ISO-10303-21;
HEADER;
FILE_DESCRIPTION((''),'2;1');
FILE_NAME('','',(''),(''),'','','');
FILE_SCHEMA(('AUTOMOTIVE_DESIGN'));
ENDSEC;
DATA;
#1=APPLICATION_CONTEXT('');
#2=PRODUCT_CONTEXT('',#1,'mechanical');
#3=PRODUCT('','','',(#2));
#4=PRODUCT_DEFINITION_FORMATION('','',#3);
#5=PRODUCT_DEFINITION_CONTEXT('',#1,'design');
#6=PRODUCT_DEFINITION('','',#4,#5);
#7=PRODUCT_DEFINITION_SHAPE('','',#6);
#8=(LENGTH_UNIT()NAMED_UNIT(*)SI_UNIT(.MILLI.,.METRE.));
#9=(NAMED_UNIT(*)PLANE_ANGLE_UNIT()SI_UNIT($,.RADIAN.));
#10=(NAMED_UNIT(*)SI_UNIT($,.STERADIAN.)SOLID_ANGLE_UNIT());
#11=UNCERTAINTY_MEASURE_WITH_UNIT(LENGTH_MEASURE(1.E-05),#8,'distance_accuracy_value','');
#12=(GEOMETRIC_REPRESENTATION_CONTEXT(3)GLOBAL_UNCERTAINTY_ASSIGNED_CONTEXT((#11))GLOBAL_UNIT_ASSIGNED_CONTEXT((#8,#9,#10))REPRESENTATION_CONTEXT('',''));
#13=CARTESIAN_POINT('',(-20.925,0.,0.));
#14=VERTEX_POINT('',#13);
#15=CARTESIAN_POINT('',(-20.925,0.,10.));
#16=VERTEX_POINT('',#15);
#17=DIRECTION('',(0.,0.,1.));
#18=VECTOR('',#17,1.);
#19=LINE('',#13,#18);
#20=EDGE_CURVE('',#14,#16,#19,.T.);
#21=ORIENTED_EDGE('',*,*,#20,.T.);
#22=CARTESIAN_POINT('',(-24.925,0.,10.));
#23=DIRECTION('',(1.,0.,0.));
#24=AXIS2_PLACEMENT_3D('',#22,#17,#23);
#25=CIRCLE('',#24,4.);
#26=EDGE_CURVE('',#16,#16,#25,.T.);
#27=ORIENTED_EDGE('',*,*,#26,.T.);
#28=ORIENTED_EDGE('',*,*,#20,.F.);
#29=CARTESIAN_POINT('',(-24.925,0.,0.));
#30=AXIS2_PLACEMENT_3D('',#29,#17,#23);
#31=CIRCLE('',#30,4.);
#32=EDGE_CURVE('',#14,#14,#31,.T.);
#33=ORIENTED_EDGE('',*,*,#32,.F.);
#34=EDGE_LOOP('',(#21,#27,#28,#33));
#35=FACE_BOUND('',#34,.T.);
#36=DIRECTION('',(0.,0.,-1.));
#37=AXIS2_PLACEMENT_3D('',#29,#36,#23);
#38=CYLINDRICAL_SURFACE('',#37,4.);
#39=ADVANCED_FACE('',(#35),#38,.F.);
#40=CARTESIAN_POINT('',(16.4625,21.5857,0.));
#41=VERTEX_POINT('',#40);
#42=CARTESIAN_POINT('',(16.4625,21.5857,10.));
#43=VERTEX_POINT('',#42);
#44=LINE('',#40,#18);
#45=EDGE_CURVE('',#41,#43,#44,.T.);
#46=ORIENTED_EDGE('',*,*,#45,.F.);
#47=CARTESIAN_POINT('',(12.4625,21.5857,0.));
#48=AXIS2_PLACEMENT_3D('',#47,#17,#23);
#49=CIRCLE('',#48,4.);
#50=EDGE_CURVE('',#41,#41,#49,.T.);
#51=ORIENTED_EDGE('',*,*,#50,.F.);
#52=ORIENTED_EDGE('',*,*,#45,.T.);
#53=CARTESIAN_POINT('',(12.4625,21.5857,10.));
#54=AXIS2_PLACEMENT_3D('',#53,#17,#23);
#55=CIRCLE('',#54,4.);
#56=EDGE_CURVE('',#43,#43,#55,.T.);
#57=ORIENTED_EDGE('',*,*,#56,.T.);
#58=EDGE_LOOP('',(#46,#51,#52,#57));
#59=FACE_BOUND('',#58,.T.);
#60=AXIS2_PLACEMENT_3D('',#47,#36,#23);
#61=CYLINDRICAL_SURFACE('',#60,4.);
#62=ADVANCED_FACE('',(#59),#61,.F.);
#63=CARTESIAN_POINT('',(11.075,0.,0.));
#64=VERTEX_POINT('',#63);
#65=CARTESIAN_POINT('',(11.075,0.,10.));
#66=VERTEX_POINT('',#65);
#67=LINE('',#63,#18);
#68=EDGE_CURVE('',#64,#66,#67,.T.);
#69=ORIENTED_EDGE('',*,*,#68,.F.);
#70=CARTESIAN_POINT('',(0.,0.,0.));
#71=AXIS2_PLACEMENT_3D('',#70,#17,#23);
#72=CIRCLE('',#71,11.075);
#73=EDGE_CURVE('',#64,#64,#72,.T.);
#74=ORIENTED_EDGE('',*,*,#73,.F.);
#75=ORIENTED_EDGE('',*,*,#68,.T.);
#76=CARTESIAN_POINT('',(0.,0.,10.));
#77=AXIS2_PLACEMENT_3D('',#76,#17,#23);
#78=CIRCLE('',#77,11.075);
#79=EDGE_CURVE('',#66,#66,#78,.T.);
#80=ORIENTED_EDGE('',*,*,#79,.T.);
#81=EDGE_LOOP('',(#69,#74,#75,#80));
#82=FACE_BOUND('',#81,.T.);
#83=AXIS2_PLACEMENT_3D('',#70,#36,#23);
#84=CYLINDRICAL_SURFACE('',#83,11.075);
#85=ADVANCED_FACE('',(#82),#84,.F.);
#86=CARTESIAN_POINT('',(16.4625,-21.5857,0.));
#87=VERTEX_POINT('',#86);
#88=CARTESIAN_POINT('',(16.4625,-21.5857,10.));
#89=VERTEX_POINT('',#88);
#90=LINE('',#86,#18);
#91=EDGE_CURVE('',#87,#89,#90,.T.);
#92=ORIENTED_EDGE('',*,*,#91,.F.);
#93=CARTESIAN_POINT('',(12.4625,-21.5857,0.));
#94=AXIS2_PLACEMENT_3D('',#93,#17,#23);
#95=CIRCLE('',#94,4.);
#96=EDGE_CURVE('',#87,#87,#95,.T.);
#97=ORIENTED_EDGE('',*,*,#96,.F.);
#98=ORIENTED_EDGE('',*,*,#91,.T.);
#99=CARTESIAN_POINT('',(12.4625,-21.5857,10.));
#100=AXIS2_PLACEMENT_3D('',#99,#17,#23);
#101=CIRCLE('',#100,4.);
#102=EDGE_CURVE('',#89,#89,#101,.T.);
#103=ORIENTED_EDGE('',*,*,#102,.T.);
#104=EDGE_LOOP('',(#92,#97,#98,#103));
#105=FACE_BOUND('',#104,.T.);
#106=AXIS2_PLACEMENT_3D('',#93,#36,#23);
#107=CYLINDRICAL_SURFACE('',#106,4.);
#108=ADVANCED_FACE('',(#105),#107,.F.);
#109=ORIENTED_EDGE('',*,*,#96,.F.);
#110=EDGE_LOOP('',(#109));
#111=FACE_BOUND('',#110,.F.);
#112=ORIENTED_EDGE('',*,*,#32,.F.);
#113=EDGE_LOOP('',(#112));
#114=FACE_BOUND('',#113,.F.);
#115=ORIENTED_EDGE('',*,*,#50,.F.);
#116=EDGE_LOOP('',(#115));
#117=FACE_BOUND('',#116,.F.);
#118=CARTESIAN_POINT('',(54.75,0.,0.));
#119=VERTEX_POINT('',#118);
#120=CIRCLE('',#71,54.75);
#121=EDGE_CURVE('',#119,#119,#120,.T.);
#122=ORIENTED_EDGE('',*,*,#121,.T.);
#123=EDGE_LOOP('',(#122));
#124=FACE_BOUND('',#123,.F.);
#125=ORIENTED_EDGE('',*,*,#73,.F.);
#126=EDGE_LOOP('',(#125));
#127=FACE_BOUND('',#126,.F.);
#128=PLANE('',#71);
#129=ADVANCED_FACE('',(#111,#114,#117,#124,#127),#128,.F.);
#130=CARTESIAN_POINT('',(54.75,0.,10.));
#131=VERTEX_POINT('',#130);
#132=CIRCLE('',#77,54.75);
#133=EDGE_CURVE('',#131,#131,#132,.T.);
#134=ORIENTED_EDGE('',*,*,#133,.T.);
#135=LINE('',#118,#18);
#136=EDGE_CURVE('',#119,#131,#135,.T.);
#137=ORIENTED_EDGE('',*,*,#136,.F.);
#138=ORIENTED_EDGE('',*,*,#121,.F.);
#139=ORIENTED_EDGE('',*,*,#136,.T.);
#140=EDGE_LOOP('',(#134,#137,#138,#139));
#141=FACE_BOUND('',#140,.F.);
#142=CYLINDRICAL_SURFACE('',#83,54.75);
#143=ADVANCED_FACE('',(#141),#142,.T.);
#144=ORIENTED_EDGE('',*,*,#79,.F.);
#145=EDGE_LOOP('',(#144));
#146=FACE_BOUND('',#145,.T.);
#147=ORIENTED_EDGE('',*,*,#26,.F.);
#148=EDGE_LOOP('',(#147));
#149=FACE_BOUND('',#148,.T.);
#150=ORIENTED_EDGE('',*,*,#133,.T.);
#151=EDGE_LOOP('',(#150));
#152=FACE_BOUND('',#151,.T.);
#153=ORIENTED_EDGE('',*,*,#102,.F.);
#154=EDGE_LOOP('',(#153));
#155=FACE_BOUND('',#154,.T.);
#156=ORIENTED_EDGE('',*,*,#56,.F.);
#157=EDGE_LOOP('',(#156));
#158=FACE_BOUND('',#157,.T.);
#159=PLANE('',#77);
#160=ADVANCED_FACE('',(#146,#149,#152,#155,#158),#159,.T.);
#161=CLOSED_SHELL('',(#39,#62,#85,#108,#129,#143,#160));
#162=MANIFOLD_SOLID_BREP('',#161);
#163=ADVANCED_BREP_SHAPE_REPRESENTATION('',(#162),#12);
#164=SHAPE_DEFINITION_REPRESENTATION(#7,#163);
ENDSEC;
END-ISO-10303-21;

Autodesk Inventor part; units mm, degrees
ref_plane "YZ Plane" through (0, 0, 0) normal (1, 0, 0) x (0, 1, 0)
ref_plane "XZ Plane" through (0, 0, 0) normal (0, 1, 0) x (-1, 0, 0)
ref_plane "XY Plane" through (0, 0, 0) normal (0, 0, 1) x (1, 0, 0)
sketch "Sketch1" plane through (0, 0, 0) normal (0, 0, 1) x (1, 0, 0)
  circle A0 centre (0, 0) radius 34.925 construction
  circle A1 centre (0, 0) radius 54.75
  circle A2 centre (12.4625, 21.5857) radius 4
  circle A3 centre (-24.925, 0) radius 4
  circle A4 centre (12.4625, -21.5857) radius 4
  line L0 (-24.925, 0) -> (12.4625, 21.5857) construction
  line L1 (12.4625, 21.5857) -> (12.4625, -21.5857) construction
  line L2 (12.4625, -21.5857) -> (-24.925, 0) construction
  line L3 (12.4625, 21.5857) -> (17.4625, 30.2459) construction
  line L4 (12.4625, -21.5857) -> (17.4625, -30.2459) construction
  line L5 (-24.925, 0) -> (-34.925, 0) construction
  circle A5 centre (0, 0) radius 11.075
  dimension "d0" = 69.85
  dimension "d1" = 109.5
  dimension "d2" = 8
  dimension "d3" = 10
  dimension "d4" = 22.15
extrude "Extrusion1" add sketch "Sketch1" along normal blind 10
properties part number "Tractor_Static_2"
